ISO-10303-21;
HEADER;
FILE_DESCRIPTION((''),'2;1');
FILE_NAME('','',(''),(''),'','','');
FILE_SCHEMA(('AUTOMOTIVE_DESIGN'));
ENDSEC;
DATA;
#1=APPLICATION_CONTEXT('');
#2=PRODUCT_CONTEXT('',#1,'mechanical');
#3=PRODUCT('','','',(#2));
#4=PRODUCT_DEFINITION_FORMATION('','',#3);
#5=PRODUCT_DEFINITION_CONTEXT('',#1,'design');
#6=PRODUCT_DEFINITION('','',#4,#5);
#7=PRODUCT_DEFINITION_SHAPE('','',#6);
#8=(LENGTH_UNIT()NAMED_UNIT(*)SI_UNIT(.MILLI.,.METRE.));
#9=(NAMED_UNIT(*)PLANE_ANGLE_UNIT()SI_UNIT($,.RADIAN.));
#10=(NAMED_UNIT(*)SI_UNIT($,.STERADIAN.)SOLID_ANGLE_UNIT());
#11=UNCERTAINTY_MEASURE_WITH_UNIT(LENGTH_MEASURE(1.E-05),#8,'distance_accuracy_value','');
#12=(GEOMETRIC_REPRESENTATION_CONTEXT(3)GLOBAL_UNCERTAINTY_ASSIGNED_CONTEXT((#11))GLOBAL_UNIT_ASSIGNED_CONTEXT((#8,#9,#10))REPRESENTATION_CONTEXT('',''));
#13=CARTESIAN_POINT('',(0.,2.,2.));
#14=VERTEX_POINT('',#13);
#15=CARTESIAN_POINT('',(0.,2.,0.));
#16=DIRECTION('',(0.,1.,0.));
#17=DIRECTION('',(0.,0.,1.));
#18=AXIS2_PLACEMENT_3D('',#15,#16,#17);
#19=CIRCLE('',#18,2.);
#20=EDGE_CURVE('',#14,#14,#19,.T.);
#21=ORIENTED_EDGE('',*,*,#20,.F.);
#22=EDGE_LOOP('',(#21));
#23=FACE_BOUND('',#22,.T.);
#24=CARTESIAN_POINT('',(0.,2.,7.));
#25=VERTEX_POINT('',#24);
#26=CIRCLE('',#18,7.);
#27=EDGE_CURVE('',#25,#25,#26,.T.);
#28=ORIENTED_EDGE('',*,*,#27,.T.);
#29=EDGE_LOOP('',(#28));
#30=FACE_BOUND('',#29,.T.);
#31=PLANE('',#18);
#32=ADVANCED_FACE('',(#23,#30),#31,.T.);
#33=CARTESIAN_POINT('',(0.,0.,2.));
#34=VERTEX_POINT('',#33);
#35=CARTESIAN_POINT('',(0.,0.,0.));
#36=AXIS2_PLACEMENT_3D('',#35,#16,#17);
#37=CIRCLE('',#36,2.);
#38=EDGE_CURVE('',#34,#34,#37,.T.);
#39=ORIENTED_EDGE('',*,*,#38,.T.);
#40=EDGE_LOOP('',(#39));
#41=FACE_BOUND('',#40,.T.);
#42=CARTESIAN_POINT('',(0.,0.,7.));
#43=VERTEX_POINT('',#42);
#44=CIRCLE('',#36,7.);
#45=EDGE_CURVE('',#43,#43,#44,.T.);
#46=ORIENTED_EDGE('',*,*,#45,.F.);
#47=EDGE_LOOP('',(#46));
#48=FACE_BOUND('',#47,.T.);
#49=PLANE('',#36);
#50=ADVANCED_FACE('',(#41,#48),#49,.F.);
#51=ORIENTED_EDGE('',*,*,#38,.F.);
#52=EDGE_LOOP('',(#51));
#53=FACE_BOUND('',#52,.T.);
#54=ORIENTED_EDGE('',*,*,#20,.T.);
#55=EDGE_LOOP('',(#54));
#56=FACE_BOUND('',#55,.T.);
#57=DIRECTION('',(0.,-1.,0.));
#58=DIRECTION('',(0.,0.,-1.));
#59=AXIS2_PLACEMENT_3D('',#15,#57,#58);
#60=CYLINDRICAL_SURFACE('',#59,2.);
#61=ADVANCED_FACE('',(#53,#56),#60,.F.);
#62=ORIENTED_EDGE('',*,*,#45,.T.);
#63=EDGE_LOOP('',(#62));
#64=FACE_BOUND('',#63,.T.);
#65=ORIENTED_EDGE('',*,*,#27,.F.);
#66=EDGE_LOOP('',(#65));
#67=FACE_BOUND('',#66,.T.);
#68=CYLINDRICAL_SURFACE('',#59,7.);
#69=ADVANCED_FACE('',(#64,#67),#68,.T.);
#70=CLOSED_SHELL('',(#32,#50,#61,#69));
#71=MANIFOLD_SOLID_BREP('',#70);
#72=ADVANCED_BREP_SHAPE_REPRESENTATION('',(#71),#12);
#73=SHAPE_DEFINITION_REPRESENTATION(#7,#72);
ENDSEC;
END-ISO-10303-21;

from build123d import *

# Parameters (mm, degrees)
SKETCH1_R           = 7
SKETCH1_R_2         = 2
BOSS_EXTRUDE1_DEPTH = 2


with BuildPart() as part:
    # Sketch1 → Boss-Extrude1 (new body)
    with BuildSketch(Plane(origin=(0, 0, 0), x_dir=(1, 0, 0), z_dir=(0, 1, 0))):
        with Locations(Location((0, 0, 0), (0, 0, 270))):
            Circle(SKETCH1_R)
        with Locations(Location((0, 0, 0), (0, 0, 270))):
            Circle(SKETCH1_R_2, mode=Mode.SUBTRACT)
    extrude(amount=BOSS_EXTRUDE1_DEPTH)


solid = part.part
